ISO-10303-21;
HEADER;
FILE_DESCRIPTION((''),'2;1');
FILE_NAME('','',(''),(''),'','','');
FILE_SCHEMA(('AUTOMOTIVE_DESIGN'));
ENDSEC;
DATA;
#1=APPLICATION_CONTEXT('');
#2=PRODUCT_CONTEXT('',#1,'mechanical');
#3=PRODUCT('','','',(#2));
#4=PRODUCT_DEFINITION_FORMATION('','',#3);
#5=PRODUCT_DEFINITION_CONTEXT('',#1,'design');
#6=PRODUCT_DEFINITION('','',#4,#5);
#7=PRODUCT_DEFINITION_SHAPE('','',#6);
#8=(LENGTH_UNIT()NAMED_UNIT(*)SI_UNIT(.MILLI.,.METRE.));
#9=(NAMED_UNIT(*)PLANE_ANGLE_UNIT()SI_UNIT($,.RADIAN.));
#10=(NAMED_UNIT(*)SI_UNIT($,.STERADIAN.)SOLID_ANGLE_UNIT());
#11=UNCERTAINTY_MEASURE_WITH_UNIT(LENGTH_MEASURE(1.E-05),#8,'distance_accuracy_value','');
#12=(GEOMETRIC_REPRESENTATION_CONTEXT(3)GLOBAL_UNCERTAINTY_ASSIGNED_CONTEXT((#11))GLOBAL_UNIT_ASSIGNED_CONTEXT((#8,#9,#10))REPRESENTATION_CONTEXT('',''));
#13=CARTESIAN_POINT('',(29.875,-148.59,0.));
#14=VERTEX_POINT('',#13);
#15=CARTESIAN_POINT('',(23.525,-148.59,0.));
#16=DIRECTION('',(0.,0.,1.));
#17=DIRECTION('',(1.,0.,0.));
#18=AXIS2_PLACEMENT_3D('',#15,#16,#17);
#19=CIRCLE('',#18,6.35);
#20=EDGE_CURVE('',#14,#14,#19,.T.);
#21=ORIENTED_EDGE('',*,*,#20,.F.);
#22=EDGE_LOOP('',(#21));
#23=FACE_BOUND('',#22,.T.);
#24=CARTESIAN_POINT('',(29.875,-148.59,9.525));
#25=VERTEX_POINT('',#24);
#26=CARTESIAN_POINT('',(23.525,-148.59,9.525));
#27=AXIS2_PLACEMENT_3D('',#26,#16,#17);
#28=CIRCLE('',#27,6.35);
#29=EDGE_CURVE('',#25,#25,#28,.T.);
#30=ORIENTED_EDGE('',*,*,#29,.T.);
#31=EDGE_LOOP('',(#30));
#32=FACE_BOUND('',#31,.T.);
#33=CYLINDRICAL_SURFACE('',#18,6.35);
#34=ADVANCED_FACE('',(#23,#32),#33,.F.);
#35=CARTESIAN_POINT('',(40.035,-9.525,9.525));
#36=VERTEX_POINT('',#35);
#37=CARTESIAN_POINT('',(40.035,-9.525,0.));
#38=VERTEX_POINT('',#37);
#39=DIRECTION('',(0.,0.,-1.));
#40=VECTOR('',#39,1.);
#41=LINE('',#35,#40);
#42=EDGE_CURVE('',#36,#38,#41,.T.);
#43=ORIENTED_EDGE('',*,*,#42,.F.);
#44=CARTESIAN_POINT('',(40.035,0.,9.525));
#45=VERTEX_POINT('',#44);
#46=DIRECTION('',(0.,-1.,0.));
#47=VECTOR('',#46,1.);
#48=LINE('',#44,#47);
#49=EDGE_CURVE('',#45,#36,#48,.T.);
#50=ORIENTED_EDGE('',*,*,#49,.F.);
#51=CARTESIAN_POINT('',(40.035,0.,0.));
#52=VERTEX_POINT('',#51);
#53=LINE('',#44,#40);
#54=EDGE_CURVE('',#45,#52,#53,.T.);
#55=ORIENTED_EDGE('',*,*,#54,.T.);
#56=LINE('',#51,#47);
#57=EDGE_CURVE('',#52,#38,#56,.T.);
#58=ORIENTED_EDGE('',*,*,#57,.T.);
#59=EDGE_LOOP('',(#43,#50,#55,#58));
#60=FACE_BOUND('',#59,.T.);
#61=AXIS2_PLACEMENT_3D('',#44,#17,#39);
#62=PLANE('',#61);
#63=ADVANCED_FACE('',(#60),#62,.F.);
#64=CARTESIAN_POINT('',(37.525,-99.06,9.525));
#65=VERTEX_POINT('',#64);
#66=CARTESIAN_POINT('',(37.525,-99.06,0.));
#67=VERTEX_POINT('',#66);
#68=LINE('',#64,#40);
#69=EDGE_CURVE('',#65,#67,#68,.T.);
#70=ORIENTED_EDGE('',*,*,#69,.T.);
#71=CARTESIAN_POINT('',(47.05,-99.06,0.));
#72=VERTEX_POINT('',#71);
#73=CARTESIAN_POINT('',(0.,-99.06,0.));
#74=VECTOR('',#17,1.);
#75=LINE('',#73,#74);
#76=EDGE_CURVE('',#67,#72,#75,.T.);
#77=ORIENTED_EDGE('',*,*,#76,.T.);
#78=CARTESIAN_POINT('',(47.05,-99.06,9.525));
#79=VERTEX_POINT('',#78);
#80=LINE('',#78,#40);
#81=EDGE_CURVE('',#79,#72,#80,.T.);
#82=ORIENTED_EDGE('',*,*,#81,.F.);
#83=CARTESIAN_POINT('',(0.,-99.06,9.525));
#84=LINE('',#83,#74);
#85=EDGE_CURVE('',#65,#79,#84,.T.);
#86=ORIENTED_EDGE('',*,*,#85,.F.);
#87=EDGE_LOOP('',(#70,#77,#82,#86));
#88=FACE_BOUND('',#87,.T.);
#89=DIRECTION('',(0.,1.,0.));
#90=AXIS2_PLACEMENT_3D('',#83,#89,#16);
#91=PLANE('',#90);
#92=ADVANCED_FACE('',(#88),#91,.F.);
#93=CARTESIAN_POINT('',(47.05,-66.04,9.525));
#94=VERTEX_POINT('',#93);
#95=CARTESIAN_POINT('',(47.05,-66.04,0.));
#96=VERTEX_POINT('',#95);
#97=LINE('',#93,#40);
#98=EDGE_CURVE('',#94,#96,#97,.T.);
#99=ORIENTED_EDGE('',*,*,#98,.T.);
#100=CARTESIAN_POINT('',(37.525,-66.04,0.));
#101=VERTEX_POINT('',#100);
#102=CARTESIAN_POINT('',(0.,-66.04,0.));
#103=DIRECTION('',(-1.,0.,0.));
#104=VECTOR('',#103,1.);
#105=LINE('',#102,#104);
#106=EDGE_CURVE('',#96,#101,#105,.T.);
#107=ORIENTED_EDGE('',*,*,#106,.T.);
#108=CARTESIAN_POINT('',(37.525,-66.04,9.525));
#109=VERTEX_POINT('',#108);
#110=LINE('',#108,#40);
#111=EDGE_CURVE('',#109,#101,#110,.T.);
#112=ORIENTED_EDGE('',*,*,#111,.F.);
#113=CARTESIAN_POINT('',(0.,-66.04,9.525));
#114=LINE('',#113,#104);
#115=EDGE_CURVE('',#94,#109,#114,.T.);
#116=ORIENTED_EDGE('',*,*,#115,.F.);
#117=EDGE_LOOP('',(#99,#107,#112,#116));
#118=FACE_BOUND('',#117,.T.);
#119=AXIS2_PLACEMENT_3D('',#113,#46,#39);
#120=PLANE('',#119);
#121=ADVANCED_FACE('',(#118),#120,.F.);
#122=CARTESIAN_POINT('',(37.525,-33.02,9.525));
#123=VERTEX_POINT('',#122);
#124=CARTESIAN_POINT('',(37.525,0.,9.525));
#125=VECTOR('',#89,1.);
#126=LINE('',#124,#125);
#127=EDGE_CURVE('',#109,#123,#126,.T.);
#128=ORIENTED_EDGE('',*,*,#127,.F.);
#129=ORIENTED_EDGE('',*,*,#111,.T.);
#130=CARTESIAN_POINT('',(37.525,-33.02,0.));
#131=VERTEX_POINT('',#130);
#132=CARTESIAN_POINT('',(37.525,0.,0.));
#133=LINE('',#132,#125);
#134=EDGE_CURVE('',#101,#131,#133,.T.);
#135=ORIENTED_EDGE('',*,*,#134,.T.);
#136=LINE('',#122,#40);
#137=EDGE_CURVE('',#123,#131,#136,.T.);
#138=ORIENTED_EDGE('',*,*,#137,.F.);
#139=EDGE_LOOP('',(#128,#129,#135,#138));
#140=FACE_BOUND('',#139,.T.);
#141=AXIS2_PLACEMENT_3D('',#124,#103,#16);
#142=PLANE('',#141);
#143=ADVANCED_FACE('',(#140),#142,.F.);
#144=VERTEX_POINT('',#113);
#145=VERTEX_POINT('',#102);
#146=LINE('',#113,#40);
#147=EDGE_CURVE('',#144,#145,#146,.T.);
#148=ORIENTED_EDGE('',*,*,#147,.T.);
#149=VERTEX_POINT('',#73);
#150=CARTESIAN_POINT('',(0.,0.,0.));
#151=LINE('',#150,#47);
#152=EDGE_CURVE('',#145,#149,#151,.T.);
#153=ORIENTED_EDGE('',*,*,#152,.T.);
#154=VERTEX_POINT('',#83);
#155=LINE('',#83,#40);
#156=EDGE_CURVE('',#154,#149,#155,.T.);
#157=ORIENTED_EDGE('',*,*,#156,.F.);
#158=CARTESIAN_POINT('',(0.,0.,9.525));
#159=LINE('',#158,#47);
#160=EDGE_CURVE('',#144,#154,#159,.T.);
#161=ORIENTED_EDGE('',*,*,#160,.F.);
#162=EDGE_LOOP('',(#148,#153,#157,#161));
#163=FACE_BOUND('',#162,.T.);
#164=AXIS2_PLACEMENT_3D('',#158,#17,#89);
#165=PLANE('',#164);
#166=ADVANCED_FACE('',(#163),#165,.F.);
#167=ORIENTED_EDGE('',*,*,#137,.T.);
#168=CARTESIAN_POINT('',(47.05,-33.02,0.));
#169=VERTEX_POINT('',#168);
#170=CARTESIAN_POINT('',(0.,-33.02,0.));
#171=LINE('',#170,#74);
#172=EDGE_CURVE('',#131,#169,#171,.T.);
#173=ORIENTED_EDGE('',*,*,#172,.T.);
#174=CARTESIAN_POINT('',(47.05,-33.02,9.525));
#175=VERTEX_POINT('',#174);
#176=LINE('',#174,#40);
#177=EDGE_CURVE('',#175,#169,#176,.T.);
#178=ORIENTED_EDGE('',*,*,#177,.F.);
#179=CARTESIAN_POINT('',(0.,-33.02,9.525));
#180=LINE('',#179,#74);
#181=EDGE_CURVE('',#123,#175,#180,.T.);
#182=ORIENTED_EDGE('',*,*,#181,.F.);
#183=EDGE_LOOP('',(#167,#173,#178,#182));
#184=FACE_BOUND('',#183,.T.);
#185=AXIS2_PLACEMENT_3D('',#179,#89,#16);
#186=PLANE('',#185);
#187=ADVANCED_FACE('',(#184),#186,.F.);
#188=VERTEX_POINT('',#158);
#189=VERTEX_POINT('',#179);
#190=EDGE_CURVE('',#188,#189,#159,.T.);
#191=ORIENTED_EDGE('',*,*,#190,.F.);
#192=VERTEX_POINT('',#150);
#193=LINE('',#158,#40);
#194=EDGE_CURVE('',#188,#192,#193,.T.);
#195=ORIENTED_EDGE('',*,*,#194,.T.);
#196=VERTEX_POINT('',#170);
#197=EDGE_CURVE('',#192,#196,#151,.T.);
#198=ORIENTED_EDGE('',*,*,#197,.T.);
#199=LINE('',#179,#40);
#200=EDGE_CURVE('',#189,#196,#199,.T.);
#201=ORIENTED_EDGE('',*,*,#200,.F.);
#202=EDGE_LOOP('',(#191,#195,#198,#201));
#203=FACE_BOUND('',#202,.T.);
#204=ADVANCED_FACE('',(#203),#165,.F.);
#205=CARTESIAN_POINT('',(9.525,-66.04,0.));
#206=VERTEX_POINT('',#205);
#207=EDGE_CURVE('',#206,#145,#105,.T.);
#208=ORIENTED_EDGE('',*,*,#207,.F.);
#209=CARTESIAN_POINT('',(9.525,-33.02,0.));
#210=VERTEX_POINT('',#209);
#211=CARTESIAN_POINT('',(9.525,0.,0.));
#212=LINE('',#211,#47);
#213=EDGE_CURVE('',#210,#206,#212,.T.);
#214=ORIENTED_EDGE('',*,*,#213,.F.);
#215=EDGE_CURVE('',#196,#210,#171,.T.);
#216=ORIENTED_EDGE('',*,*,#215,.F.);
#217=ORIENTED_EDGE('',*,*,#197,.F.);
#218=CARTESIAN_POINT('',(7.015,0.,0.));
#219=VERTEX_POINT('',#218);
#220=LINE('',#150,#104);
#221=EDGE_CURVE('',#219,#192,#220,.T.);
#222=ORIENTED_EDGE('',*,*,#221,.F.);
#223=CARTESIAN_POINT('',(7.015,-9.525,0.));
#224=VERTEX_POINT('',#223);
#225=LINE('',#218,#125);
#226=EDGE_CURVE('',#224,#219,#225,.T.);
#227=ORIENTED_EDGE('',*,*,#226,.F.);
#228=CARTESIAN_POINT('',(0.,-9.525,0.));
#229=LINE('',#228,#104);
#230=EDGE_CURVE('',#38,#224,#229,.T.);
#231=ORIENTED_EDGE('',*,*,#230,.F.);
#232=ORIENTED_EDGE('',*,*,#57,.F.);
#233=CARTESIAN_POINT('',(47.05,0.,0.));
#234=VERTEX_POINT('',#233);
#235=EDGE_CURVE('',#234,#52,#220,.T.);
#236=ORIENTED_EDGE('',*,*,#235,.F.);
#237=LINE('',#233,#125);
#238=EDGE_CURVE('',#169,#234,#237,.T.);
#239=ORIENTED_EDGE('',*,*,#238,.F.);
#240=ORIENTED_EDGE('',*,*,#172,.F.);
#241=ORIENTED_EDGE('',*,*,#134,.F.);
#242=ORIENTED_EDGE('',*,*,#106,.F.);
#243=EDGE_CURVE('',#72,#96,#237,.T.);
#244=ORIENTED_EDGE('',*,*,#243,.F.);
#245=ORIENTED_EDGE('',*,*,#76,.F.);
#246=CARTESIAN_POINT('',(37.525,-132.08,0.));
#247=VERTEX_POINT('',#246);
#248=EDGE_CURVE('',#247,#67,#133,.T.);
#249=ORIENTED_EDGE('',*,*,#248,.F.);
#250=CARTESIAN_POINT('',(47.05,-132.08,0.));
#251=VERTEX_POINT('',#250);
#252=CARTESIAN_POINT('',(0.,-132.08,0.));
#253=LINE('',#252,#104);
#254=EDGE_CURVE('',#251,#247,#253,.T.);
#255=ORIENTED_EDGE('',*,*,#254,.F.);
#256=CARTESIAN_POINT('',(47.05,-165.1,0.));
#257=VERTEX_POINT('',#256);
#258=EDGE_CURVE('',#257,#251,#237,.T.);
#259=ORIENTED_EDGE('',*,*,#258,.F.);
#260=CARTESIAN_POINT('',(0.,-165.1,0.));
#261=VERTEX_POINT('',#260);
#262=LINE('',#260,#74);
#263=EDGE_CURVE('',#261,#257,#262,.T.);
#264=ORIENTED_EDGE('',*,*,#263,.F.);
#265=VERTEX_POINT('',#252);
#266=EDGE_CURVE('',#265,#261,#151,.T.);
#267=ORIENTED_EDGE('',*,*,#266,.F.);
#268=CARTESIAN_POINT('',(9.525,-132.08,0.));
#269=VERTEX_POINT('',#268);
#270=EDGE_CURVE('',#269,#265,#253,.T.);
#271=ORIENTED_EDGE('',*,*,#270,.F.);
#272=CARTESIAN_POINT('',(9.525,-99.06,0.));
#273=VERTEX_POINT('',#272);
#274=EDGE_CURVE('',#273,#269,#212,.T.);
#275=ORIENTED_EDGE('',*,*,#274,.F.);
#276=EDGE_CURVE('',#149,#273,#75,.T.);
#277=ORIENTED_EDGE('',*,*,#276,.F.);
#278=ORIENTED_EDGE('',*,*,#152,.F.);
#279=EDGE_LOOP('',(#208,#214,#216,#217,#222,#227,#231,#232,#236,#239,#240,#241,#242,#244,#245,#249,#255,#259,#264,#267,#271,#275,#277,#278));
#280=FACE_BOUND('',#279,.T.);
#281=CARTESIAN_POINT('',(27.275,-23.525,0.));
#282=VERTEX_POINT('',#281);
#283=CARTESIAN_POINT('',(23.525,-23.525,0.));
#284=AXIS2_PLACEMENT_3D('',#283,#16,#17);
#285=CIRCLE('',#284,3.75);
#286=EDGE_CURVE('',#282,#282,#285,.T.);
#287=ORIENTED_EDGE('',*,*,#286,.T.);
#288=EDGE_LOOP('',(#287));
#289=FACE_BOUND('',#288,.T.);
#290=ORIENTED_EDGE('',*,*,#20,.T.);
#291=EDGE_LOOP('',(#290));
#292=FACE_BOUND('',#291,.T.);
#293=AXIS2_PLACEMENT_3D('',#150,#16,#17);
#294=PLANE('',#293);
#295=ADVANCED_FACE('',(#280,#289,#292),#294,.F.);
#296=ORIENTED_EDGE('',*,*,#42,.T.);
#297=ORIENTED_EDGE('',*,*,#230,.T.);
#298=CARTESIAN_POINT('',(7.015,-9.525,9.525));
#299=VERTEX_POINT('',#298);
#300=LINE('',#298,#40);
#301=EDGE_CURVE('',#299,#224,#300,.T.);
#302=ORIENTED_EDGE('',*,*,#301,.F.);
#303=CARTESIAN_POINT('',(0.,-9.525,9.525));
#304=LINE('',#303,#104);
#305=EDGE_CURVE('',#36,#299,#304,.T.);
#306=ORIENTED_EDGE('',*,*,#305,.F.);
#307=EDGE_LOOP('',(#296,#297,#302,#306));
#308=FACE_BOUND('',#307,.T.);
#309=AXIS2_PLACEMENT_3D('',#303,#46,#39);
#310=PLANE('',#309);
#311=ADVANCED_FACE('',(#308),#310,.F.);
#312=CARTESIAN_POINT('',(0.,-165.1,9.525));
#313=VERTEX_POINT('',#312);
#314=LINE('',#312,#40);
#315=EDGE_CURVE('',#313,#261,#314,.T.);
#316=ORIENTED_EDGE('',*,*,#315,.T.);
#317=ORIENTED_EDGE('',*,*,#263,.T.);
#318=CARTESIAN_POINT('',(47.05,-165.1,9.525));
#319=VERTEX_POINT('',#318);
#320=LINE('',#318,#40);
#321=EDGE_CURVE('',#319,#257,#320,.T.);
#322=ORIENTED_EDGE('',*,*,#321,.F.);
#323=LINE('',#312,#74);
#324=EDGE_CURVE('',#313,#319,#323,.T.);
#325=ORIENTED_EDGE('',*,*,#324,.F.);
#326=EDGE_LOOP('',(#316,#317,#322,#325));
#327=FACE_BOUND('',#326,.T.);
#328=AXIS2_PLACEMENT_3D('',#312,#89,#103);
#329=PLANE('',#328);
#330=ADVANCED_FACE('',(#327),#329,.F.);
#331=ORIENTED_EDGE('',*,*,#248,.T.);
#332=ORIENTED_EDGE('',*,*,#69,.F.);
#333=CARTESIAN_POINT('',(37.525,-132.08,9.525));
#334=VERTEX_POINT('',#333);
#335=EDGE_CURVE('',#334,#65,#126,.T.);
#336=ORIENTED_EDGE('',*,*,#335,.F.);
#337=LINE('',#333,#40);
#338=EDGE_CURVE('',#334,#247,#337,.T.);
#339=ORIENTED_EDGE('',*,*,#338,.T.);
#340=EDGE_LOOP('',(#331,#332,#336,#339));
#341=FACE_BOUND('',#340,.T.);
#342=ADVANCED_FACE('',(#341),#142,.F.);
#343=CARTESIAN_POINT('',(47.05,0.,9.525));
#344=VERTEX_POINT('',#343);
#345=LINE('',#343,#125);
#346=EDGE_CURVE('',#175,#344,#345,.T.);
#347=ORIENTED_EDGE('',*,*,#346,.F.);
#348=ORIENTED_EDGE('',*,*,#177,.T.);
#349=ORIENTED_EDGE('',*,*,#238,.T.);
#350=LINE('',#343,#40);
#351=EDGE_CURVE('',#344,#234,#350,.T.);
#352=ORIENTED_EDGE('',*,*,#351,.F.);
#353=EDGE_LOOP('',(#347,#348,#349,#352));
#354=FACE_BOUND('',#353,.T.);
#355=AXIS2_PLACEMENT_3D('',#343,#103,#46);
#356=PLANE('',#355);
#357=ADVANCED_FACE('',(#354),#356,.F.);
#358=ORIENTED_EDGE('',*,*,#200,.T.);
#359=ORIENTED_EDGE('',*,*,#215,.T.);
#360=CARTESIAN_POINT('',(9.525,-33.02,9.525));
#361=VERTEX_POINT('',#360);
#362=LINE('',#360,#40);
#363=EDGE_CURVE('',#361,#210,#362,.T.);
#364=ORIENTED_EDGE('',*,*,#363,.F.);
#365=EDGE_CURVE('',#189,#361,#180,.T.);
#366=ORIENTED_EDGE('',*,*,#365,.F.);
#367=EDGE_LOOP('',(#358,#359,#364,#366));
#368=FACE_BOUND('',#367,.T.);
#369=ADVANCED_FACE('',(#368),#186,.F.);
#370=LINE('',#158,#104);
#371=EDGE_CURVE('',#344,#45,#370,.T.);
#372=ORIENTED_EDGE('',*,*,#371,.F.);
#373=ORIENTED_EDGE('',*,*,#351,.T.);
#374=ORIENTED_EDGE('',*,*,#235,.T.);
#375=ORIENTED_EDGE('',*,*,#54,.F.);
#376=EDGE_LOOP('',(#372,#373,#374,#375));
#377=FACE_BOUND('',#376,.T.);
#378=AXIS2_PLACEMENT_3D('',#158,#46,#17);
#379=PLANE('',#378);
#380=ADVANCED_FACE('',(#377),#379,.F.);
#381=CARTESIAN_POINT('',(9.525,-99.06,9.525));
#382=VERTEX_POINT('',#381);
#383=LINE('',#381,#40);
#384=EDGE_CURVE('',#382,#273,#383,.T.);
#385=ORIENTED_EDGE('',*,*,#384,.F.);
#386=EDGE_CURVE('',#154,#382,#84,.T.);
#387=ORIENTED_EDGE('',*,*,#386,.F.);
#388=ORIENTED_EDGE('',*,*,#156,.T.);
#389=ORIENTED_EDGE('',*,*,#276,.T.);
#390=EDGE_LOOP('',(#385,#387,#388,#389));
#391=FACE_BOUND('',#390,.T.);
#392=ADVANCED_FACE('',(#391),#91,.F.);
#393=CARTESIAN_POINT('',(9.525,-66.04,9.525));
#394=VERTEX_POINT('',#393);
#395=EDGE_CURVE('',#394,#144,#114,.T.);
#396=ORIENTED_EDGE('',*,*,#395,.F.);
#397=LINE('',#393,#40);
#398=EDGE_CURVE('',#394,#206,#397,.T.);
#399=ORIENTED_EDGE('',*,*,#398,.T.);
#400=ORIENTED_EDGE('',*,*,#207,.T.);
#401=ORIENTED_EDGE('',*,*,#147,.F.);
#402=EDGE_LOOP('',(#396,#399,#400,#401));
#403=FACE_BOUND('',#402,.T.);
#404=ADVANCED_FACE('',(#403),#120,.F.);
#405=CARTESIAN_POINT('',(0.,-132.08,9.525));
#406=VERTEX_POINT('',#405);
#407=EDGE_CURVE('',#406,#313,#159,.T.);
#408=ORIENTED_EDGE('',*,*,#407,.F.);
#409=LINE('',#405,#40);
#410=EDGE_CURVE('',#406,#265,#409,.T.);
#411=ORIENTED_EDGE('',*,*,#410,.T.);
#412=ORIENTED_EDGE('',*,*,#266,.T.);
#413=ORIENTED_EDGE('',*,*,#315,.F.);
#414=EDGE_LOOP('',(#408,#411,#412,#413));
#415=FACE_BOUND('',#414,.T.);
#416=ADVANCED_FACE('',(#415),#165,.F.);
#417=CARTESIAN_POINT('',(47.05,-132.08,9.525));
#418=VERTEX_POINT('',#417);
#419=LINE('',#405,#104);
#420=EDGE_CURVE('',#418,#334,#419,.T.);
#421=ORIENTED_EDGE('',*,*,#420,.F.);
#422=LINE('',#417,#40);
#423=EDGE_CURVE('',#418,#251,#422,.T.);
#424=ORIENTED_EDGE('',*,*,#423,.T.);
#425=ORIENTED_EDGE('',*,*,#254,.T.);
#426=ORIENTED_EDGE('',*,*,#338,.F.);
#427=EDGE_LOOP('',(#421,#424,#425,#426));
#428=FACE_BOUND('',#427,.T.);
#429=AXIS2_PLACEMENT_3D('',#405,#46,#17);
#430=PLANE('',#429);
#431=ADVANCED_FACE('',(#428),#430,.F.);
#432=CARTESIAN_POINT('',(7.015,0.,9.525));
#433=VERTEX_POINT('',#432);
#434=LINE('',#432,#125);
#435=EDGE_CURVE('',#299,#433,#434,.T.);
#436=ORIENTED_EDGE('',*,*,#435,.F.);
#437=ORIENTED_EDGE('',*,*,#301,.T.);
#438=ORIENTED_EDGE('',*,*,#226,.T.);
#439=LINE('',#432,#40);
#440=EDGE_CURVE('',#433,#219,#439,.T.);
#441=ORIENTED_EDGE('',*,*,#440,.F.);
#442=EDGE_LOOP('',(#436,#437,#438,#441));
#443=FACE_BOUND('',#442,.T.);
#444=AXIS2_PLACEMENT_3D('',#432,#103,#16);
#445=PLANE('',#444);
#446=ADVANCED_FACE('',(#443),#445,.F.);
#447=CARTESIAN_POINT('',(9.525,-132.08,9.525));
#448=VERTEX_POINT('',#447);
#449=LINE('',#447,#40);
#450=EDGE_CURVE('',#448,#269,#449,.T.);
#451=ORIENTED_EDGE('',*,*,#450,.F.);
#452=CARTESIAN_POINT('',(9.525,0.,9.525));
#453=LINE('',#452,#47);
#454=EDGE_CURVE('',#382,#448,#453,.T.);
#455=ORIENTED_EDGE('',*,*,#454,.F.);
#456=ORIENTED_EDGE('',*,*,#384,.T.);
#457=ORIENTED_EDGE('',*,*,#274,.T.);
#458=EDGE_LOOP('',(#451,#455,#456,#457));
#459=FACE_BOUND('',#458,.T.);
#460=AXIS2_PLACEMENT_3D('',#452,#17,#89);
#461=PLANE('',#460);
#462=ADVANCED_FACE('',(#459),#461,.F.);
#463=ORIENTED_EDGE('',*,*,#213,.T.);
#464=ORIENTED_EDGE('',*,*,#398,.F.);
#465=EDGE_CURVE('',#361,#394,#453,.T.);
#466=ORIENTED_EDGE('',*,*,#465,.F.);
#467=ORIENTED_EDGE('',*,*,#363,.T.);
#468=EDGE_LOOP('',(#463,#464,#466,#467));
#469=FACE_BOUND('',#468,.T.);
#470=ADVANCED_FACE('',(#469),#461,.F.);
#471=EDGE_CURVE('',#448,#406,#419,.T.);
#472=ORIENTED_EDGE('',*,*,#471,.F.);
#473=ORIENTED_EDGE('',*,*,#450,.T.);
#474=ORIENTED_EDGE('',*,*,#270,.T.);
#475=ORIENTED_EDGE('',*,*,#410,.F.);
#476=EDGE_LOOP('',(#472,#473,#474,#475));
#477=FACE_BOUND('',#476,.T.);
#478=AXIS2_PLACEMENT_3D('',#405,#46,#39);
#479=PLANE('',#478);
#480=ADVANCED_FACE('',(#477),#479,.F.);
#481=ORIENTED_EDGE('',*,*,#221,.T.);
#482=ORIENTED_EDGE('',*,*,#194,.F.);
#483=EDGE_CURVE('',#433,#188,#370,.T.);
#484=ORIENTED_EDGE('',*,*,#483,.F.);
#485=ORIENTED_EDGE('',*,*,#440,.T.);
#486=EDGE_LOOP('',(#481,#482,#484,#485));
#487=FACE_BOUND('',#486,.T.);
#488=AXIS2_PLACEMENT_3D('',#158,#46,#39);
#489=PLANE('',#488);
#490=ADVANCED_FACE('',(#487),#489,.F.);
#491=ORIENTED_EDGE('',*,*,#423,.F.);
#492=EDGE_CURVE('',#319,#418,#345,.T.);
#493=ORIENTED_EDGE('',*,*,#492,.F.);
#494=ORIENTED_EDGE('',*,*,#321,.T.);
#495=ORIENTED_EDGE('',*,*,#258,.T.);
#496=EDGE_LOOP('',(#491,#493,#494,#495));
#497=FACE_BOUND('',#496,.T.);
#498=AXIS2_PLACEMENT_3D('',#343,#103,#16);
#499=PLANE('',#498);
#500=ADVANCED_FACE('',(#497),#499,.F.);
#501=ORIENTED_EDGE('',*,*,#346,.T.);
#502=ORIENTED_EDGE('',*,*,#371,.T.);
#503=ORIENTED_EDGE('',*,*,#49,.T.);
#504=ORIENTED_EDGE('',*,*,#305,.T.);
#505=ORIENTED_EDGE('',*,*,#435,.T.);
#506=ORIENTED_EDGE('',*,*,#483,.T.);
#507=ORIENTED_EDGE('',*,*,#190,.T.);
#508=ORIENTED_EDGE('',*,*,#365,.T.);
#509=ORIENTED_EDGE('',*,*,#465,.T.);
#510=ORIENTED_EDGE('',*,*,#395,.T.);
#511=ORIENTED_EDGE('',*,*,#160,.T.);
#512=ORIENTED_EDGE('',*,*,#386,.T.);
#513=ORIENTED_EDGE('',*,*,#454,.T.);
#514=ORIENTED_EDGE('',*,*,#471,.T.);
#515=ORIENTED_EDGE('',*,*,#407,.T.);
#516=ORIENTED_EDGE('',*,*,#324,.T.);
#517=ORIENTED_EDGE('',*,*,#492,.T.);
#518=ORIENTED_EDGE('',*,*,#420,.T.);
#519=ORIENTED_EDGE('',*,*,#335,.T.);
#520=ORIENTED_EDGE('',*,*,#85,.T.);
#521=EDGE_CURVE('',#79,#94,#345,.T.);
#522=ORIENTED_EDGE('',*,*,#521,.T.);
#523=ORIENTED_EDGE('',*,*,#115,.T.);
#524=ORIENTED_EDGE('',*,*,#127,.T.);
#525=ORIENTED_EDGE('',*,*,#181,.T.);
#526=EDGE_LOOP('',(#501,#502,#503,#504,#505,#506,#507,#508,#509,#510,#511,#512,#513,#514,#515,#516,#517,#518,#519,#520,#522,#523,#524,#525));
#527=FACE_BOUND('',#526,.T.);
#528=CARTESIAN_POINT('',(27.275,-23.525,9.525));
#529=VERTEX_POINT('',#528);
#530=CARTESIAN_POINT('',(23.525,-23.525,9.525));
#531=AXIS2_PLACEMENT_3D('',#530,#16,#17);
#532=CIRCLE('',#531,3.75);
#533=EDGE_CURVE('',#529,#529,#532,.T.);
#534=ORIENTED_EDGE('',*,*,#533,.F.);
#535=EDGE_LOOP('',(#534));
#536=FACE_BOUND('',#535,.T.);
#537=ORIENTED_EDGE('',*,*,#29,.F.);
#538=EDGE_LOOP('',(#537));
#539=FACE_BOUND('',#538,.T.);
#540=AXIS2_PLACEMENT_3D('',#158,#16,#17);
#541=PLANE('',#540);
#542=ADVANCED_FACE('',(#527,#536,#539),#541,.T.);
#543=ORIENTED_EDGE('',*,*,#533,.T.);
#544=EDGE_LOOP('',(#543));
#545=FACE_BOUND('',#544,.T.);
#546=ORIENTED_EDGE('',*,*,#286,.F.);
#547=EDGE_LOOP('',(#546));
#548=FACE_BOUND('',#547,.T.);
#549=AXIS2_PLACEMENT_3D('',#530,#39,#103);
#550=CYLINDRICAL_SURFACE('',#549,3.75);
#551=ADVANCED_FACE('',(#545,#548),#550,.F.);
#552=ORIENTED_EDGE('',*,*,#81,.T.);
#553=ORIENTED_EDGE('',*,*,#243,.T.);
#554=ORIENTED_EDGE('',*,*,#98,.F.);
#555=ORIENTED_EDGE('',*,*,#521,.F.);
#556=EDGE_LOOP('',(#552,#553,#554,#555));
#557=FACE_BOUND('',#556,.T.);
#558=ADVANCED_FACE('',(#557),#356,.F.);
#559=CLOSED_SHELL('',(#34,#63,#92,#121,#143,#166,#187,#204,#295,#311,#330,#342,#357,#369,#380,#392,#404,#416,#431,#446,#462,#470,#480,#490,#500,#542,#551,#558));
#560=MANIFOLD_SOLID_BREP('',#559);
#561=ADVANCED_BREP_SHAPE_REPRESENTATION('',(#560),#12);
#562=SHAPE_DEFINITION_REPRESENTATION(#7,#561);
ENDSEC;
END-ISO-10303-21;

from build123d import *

# Parameters (mm, degrees)
SKETCH1_R           = 3.75
BOSS_EXTRUDE1_DEPTH = 9.525
SKETCH2_R           = 6.35
CUT_EXTRUDE1_DEPTH  = 10.525


with BuildPart() as part:
    # Sketch1 → Boss-Extrude1 (new body)
    with BuildSketch(Plane.XY):
        Polygon((40.03500006, -9.525), (7.01500006, -9.525), (7.01500006, 0), (0, 0), (0, -33.02), (9.525, -33.02), (9.525, -66.04), (0, -66.04), (0, -99.06), (9.525, -99.06), (9.525, -132.08), (0, -132.08), (0, -165.1), (47.05000012, -165.1), (47.05000012, -132.08), (37.52500012, -132.08), (37.52500012, -99.06), (47.05000012, -99.06), (47.05000012, -66.04), (37.52500012, -66.04), (37.52500012, -33.02), (47.05000012, -33.02), (47.05000012, 0), (40.03500006, 0), align=None)
        with Locations((23.52500006, -23.525)):
            Circle(SKETCH1_R, mode=Mode.SUBTRACT)
    extrude(amount=BOSS_EXTRUDE1_DEPTH)

    # Sketch2 → Cut-Extrude1 (cut, through all)
    with BuildSketch(Plane.XY.offset(9.525)):
        with Locations((23.52500006, -148.59)):
            Circle(SKETCH2_R)
    extrude(amount=-CUT_EXTRUDE1_DEPTH, mode=Mode.SUBTRACT)


solid = part.part
